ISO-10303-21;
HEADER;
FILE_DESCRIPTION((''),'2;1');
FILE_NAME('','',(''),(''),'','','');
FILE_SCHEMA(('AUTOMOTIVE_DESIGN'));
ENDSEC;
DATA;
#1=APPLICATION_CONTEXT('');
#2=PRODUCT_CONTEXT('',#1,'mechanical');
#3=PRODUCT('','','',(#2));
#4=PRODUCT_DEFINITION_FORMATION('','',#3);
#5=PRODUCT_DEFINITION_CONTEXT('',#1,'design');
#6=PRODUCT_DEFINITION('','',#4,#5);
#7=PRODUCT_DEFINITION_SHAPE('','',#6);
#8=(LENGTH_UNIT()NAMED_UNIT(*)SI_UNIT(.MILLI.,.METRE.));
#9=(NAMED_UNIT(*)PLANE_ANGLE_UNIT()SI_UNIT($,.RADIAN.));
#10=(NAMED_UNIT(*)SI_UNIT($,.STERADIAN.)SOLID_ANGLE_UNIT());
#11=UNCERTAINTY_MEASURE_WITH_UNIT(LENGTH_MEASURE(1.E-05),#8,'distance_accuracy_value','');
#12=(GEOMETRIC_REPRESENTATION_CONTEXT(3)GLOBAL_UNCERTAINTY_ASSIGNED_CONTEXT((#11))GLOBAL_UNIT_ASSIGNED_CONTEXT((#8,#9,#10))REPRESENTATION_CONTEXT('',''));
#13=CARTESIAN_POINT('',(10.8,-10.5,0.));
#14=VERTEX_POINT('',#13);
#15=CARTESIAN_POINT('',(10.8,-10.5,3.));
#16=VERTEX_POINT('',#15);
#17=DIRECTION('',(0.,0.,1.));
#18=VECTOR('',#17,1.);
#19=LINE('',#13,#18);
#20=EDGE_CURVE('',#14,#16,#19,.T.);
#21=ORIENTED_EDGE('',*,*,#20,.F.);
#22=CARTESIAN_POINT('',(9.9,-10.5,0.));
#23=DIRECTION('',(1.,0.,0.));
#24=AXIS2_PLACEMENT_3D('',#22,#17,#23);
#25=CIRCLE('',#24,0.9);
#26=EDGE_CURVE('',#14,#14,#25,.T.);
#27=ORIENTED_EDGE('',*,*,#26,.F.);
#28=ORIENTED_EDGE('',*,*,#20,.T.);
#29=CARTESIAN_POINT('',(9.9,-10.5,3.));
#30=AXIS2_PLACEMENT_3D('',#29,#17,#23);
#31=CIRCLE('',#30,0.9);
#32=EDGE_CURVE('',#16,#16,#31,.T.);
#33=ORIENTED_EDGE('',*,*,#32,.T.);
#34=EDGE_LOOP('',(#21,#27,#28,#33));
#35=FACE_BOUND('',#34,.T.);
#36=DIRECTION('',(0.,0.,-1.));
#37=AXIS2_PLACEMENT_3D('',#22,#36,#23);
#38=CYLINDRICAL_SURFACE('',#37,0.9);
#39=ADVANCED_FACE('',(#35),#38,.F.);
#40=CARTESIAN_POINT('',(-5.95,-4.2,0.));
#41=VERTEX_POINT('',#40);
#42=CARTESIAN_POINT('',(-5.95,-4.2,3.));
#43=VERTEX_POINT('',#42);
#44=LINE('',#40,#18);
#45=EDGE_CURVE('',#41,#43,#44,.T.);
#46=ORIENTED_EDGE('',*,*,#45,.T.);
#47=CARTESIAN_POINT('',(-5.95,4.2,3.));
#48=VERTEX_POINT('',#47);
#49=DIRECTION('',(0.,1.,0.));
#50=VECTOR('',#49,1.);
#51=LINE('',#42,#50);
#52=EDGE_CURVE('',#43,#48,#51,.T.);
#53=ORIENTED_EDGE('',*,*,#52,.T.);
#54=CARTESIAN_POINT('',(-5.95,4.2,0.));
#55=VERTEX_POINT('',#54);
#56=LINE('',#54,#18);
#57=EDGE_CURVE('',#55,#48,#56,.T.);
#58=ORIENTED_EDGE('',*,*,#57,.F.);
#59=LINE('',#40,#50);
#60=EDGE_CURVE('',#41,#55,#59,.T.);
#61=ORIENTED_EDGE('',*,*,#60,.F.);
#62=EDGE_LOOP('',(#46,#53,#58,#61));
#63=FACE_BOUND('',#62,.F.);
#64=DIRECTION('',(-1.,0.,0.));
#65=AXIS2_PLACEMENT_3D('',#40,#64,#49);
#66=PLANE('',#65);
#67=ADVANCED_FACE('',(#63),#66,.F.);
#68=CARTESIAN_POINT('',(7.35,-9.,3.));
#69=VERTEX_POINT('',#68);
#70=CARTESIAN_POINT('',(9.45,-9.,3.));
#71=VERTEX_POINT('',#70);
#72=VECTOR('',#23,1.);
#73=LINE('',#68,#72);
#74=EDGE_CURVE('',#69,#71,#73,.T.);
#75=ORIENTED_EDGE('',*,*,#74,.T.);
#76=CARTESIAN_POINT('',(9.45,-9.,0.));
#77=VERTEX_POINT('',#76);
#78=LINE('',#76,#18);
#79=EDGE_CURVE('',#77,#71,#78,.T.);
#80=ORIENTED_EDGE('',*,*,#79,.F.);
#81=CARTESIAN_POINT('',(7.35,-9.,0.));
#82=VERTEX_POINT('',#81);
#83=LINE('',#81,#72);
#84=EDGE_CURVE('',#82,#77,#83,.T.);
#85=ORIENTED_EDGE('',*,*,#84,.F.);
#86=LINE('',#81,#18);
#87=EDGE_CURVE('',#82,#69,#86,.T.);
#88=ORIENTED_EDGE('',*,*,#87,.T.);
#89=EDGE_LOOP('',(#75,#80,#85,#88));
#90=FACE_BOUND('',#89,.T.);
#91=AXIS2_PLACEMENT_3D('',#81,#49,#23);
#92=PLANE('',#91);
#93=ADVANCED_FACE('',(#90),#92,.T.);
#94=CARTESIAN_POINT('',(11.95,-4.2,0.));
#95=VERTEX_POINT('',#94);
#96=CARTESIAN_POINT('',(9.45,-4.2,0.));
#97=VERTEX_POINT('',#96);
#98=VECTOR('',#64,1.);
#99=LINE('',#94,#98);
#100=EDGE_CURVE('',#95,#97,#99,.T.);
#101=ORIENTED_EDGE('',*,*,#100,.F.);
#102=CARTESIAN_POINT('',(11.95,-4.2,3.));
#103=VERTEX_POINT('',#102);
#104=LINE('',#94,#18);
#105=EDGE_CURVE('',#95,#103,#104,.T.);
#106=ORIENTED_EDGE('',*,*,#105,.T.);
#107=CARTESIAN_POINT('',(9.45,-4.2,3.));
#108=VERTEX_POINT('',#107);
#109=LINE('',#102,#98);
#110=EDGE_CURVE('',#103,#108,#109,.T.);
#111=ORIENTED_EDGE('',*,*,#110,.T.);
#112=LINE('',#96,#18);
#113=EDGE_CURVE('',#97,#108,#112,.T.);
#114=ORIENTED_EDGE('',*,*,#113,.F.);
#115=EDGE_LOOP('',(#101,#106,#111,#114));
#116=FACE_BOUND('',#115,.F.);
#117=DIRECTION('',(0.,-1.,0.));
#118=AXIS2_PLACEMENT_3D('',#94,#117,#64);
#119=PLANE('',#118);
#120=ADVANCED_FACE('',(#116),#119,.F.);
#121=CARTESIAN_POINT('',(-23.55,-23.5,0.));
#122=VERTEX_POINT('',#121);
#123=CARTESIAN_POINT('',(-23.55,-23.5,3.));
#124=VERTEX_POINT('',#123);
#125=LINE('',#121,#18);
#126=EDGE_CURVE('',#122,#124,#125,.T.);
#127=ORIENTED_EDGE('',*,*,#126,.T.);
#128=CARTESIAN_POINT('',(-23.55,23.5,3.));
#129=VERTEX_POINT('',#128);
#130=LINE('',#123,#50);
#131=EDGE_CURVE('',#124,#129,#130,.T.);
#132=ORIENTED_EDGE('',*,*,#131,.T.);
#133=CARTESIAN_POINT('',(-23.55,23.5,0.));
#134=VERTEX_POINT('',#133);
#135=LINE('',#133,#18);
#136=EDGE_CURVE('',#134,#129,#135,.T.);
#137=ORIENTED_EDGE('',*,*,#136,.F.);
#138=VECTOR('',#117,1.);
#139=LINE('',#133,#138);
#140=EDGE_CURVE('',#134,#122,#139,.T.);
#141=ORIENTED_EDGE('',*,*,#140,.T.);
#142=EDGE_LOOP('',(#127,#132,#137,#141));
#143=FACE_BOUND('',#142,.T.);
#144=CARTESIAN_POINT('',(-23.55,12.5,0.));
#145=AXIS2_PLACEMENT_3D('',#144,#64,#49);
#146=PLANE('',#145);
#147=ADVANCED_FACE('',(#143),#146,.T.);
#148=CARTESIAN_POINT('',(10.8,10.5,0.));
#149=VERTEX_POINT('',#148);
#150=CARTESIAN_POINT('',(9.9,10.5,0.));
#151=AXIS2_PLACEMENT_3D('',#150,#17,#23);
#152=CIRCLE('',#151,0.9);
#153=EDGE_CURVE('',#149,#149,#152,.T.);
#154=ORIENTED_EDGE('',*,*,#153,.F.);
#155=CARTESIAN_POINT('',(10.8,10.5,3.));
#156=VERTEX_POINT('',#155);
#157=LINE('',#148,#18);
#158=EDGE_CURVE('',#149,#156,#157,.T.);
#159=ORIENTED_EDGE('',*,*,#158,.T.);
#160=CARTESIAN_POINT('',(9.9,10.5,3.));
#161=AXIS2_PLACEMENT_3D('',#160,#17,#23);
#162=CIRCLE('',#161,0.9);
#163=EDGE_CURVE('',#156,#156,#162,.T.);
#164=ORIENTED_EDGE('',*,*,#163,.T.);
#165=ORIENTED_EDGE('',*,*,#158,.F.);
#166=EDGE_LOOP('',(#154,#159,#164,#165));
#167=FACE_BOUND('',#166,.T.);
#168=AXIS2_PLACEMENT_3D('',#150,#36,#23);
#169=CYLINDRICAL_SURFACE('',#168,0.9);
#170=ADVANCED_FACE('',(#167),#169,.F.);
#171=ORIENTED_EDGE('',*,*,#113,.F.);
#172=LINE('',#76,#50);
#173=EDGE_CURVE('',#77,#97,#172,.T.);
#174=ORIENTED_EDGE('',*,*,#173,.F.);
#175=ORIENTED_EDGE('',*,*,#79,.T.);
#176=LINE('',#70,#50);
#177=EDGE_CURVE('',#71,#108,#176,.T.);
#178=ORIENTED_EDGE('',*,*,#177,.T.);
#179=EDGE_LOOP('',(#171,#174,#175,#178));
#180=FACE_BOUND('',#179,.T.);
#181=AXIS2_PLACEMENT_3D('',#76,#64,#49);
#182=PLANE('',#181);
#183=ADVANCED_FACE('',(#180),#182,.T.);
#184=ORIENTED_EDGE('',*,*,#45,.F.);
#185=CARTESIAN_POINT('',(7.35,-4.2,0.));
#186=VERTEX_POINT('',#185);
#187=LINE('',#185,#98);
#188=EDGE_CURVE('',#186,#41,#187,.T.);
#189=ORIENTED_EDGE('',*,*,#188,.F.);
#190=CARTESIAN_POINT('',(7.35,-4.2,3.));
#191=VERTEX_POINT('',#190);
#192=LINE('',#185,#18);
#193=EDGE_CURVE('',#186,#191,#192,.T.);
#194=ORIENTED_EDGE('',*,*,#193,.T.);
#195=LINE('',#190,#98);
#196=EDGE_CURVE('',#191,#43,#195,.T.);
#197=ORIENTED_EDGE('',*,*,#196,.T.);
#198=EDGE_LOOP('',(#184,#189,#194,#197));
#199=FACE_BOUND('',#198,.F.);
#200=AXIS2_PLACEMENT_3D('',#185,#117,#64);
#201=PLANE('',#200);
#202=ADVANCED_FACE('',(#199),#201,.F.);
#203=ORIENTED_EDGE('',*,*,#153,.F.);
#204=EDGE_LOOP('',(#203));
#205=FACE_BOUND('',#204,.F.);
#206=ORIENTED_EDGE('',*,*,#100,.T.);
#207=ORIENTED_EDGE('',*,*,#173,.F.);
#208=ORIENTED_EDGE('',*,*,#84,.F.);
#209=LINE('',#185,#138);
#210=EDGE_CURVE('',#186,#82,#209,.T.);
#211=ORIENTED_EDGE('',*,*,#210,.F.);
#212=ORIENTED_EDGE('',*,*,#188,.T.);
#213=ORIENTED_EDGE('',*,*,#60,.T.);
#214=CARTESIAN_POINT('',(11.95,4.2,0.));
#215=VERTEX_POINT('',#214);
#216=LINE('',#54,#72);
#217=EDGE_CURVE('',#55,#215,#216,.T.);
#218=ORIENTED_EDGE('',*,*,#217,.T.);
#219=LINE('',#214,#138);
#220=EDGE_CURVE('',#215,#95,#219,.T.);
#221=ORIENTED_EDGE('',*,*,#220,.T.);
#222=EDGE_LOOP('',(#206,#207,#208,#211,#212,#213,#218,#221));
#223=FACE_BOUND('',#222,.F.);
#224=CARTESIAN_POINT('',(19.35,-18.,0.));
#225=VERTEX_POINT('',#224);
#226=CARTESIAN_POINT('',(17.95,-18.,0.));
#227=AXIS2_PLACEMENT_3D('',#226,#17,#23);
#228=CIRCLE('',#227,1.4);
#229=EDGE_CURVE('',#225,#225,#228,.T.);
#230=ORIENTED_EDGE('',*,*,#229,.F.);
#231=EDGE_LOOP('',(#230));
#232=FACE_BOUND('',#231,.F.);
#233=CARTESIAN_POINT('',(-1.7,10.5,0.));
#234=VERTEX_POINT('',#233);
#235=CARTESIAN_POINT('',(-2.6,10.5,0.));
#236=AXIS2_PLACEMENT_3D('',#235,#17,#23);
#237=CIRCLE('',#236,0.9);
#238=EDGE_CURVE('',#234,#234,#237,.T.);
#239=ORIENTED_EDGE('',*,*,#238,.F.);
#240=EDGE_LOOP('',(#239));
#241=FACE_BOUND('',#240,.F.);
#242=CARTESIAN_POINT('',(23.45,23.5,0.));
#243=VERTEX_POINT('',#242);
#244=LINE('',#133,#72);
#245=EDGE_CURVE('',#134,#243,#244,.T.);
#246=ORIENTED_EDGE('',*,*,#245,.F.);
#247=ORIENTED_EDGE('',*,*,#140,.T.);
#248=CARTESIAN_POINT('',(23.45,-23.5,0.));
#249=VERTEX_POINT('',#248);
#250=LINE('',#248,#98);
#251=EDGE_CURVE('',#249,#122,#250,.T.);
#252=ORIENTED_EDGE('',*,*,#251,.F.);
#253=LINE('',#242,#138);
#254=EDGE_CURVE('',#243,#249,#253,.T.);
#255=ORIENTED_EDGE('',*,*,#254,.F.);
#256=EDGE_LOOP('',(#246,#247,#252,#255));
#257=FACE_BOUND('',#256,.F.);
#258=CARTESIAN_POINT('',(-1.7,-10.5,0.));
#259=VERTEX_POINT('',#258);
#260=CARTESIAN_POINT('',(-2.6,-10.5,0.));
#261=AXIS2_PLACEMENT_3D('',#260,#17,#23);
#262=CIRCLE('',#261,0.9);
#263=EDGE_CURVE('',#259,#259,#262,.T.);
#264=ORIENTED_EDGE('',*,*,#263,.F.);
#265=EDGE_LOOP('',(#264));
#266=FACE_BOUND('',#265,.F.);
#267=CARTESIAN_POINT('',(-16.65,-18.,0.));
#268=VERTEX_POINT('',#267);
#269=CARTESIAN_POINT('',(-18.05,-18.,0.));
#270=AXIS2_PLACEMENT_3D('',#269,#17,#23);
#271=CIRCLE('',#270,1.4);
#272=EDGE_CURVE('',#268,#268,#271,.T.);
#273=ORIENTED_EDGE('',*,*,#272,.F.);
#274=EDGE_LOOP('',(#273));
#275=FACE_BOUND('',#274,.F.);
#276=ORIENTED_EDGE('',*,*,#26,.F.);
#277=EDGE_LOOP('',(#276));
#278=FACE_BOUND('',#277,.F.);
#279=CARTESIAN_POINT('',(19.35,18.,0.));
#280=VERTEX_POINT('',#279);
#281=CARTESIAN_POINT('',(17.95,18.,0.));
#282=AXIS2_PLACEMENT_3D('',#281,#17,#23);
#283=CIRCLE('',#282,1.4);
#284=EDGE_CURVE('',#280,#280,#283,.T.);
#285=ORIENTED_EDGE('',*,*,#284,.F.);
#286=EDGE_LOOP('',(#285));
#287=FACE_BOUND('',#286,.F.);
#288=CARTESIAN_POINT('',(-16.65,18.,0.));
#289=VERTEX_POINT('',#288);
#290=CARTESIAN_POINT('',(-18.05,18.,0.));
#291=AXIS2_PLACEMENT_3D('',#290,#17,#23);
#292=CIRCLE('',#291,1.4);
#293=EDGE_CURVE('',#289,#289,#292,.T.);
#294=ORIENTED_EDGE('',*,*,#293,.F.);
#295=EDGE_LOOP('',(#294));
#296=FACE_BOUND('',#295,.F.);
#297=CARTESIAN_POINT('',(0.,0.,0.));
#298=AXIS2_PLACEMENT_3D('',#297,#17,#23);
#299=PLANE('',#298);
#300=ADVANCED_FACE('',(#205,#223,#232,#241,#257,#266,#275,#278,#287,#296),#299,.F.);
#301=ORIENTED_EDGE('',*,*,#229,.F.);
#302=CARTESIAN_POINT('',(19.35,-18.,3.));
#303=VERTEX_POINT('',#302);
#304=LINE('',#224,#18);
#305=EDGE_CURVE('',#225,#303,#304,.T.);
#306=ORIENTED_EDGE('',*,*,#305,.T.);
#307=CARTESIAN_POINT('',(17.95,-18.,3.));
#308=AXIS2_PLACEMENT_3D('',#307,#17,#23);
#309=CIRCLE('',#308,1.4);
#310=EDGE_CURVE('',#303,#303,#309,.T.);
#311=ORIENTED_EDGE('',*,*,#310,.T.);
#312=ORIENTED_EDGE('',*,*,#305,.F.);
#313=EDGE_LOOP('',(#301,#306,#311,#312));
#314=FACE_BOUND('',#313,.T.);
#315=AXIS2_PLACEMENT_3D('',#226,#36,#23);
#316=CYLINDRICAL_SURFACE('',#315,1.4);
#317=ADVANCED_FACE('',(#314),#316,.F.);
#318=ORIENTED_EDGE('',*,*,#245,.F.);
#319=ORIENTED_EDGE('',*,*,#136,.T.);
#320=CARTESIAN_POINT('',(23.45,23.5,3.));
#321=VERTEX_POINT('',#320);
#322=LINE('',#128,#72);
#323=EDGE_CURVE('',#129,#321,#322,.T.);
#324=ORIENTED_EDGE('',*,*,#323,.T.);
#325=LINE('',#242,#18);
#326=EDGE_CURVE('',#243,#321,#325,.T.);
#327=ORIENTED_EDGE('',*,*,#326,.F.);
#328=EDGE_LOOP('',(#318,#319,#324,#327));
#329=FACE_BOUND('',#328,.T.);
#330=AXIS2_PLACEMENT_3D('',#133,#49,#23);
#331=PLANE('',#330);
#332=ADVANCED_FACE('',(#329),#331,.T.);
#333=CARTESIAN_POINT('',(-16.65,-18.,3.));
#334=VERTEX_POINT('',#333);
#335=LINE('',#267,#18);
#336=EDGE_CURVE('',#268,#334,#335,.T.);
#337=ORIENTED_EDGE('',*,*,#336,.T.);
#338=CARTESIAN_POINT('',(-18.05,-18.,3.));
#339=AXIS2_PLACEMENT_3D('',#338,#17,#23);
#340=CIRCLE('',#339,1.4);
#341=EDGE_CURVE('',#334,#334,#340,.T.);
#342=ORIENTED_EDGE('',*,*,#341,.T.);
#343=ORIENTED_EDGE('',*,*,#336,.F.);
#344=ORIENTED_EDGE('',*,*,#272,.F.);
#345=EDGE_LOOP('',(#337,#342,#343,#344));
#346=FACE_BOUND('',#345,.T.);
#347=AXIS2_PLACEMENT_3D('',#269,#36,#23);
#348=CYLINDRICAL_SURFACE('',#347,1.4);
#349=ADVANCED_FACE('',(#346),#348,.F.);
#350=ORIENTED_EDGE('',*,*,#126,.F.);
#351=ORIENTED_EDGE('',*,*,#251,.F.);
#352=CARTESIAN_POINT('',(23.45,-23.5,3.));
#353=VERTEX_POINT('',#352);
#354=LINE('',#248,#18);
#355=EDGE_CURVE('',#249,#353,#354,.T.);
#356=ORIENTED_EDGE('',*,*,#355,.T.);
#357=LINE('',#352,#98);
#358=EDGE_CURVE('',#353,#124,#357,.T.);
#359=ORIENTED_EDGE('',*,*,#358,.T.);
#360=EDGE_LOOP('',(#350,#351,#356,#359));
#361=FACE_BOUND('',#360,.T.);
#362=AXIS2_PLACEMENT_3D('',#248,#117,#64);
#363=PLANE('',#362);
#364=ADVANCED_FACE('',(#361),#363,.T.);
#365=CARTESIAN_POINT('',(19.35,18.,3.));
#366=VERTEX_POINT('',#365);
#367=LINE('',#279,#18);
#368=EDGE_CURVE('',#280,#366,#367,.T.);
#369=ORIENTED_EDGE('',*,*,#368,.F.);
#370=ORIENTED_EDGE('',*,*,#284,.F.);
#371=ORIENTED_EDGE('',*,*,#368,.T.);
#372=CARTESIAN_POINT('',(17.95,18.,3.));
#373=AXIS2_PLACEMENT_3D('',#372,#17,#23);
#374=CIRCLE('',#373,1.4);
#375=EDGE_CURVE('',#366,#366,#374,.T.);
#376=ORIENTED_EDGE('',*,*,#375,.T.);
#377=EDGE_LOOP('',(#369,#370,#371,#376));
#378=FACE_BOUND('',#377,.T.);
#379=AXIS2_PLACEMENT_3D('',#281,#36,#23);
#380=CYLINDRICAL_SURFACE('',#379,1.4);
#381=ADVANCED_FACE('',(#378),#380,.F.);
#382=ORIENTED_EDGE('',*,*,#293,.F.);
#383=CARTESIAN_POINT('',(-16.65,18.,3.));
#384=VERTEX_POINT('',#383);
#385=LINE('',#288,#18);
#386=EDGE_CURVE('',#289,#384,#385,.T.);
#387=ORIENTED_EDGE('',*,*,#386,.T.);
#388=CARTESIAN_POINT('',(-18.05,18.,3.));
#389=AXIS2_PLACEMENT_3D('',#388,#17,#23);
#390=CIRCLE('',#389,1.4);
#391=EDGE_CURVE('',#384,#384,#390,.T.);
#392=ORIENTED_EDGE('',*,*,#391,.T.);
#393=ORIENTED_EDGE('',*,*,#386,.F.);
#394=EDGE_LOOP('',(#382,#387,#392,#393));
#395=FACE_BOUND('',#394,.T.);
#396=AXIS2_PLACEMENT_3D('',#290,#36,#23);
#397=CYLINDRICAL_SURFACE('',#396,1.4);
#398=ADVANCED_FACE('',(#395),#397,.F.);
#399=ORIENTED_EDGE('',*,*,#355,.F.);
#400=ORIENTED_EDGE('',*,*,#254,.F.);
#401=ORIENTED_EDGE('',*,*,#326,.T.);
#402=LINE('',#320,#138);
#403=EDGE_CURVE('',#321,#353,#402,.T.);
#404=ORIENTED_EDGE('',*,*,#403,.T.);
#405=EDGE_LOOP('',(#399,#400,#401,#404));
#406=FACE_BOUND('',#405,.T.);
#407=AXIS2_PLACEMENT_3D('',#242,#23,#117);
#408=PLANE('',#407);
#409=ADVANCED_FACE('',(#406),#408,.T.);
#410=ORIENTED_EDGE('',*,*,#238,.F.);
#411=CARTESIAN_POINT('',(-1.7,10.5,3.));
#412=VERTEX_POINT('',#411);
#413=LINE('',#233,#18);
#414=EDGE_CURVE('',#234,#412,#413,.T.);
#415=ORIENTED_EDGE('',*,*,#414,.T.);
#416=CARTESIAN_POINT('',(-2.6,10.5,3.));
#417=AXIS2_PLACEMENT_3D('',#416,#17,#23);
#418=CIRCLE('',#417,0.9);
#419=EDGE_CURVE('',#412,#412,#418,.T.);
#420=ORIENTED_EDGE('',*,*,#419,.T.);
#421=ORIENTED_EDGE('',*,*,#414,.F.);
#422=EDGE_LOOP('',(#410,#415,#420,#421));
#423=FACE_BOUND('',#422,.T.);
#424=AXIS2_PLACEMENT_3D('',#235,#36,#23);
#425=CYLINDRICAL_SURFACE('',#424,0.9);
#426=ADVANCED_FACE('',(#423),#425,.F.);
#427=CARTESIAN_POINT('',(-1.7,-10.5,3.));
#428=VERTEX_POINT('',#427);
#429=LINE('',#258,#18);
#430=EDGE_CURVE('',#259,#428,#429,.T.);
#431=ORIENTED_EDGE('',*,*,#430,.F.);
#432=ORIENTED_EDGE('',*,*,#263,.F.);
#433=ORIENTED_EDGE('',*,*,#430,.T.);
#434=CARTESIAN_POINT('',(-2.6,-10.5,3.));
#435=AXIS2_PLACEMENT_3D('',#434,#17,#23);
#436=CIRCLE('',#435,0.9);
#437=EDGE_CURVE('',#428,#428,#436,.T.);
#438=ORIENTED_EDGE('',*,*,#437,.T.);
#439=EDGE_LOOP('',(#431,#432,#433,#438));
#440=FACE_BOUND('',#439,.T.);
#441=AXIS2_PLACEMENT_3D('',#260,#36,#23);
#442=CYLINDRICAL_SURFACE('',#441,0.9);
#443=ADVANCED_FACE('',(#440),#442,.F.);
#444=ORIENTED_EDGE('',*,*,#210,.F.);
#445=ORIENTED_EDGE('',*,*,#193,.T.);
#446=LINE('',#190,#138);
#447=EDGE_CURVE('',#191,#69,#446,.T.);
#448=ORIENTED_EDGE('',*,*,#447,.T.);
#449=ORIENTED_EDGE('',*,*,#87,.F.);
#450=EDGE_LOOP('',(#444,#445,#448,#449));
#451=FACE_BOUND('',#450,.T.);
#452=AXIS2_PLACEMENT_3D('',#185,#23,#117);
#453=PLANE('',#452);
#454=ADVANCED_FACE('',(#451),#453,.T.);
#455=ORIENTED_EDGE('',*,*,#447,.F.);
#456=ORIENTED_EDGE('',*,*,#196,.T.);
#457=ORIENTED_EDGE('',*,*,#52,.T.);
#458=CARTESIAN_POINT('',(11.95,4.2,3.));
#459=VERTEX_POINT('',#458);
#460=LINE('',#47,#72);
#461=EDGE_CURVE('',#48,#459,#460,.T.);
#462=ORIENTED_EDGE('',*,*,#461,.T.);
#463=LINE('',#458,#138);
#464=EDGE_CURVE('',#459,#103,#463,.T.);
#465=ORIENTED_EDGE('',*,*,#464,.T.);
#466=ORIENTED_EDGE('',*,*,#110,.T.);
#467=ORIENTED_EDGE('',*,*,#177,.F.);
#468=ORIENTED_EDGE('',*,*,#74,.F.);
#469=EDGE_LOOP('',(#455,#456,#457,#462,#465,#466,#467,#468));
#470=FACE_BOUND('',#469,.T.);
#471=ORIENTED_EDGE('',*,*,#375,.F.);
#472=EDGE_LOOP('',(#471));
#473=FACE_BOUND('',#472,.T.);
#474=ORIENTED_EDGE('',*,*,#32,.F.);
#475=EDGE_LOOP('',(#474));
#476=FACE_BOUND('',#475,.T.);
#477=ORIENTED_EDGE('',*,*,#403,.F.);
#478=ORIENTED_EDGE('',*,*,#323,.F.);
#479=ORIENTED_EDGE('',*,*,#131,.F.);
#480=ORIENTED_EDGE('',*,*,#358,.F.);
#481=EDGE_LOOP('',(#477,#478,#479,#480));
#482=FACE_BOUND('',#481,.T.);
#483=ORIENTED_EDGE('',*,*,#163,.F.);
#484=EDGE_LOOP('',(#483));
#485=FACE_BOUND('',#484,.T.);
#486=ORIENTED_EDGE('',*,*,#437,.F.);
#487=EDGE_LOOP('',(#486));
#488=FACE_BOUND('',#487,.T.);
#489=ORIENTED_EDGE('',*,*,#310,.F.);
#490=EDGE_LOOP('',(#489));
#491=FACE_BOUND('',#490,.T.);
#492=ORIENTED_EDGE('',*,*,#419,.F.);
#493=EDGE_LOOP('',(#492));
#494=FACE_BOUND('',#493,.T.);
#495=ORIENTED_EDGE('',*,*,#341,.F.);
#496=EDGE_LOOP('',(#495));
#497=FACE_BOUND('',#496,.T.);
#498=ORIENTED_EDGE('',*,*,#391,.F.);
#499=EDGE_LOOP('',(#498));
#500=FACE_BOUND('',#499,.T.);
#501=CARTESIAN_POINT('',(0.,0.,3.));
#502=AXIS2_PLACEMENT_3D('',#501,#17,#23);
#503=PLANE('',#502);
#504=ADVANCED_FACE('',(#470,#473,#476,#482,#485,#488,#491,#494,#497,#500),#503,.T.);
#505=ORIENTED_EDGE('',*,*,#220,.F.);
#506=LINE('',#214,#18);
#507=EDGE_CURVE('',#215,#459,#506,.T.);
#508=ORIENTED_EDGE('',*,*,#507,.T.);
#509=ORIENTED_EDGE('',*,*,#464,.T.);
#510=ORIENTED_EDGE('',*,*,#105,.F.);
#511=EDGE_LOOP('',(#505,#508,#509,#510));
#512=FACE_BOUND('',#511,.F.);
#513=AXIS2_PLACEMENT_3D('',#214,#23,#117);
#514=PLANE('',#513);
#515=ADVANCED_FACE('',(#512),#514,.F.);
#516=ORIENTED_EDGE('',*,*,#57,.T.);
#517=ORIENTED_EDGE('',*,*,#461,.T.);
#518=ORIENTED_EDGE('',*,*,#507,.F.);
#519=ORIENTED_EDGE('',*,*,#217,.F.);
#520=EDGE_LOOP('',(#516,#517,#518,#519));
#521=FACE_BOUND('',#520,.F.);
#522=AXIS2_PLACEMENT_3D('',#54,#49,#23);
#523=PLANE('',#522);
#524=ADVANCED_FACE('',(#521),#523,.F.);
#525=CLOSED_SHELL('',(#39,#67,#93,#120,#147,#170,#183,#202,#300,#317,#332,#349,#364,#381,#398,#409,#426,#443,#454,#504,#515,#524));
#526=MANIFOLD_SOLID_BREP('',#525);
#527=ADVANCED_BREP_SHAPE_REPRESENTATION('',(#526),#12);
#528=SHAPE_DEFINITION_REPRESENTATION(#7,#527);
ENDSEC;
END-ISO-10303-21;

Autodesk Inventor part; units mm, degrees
ref_plane "YZ Plane" through (0, 0, 0) normal (1, 0, 0) x (0, 1, 0)
ref_plane "XZ Plane" through (0, 0, 0) normal (0, 1, 0) x (-1, 0, 0)
ref_plane "XY Plane" through (0, 0, 0) normal (0, 0, 1) x (1, 0, 0)
sketch "Sketch1" plane through (0, 0, 0) normal (0, 0, 1) x (1, 0, 0)
  line L0 (8.35, -7) -> (8.35, -9) construction
  line L1 (8.35, -9) -> (7.35, -9) construction
  line L2 (7.35, -9) -> (7.35, -7) construction
  line L3 (7.35, -7) -> (8.35, -7) construction
  line L4 (9.45, -5.5) -> (9.45, -7.5) construction
  line L5 (9.45, -7.5) -> (8.45, -7.5) construction
  line L6 (8.45, -7.5) -> (8.45, -5.5) construction
  line L7 (8.45, -5.5) -> (9.45, -5.5) construction
  line L8 (2.45, 4.2) -> (2.45, -4.2) construction
  line L9 (2.45, -4.2) -> (-5.95, -4.2) construction
  line L10 (-5.95, -4.2) -> (-5.95, 4.2) construction
  line L11 (-5.95, 4.2) -> (2.45, 4.2) construction
  circle A0 centre (-2.6, 10.5) radius 1 construction
  circle A1 centre (9.9, 10.5) radius 1 construction
  circle A2 centre (-2.6, -10.5) radius 1 construction
  circle A3 centre (9.9, -10.5) radius 1 construction
  line L12 (11.95, 12.5) -> (-11.95, 12.5) projected
  line L13 (-11.95, 12.5) -> (-11.95, -12.5) projected
  line L14 (-11.95, -12.5) -> (11.95, -12.5) projected
  line L15 (11.95, -12.5) -> (11.95, 12.5) construction
  line L16 (5.7177, -12.5) -> (14.5315, -12.5) construction
  line L17 (11.95, -4.2) -> (9.45, -4.2)
  line L18 (-5.95, -4.2) -> (-5.95, 4.2)
  line L19 (-5.95, 4.2) -> (11.95, 4.2)
  line L20 (7.35, -4.2) -> (7.35, -9)
  line L21 (7.35, -9) -> (9.45, -9)
  line L22 (9.45, -9) -> (9.45, -4.2)
  line L23 (7.35, -4.2) -> (-5.95, -4.2)
  circle A4 centre (-2.6, -10.5) radius 0.9
  circle A5 centre (9.9, -10.5) radius 0.9
  circle A6 centre (9.9, 10.5) radius 0.9
  circle A7 centre (-2.6, 10.5) radius 0.9
  line L24 (23.45, 23.5) -> (23.45, -23.5) projected
  line L25 (-23.55, 23.5) -> (23.45, 23.5) projected
  line L26 (-23.55, 12.5) -> (-23.55, 23.5) projected
  line L27 (-23.55, 12.5) -> (-11.95, 12.5)
  line L28 (-11.95, -12.5) -> (-23.55, -12.5)
  line L29 (-23.55, -23.5) -> (-23.55, -12.5) projected
  line L30 (23.45, -23.5) -> (-23.55, -23.5) projected
  line L31 (11.95, 4.2) -> (11.95, -4.2)
  line L32 (-23.55, 12.5) -> (-23.55, -12.5)
  circle A8 centre (-18.05, 18) radius 1.4 projected
  circle A9 centre (17.95, 18) radius 1.4 projected
  circle A10 centre (17.95, -18) radius 1.4 projected
  circle A11 centre (-18.05, -18) radius 1.4 projected
  point P0 (0, 0)
  dimension "d4" = 1.8
  dimension "d5" = 1.8
  dimension "d6" = 1.8
  dimension "d7" = 1.8
extrude "Extrusion1" add sketch "Sketch1" along normal blind 3
